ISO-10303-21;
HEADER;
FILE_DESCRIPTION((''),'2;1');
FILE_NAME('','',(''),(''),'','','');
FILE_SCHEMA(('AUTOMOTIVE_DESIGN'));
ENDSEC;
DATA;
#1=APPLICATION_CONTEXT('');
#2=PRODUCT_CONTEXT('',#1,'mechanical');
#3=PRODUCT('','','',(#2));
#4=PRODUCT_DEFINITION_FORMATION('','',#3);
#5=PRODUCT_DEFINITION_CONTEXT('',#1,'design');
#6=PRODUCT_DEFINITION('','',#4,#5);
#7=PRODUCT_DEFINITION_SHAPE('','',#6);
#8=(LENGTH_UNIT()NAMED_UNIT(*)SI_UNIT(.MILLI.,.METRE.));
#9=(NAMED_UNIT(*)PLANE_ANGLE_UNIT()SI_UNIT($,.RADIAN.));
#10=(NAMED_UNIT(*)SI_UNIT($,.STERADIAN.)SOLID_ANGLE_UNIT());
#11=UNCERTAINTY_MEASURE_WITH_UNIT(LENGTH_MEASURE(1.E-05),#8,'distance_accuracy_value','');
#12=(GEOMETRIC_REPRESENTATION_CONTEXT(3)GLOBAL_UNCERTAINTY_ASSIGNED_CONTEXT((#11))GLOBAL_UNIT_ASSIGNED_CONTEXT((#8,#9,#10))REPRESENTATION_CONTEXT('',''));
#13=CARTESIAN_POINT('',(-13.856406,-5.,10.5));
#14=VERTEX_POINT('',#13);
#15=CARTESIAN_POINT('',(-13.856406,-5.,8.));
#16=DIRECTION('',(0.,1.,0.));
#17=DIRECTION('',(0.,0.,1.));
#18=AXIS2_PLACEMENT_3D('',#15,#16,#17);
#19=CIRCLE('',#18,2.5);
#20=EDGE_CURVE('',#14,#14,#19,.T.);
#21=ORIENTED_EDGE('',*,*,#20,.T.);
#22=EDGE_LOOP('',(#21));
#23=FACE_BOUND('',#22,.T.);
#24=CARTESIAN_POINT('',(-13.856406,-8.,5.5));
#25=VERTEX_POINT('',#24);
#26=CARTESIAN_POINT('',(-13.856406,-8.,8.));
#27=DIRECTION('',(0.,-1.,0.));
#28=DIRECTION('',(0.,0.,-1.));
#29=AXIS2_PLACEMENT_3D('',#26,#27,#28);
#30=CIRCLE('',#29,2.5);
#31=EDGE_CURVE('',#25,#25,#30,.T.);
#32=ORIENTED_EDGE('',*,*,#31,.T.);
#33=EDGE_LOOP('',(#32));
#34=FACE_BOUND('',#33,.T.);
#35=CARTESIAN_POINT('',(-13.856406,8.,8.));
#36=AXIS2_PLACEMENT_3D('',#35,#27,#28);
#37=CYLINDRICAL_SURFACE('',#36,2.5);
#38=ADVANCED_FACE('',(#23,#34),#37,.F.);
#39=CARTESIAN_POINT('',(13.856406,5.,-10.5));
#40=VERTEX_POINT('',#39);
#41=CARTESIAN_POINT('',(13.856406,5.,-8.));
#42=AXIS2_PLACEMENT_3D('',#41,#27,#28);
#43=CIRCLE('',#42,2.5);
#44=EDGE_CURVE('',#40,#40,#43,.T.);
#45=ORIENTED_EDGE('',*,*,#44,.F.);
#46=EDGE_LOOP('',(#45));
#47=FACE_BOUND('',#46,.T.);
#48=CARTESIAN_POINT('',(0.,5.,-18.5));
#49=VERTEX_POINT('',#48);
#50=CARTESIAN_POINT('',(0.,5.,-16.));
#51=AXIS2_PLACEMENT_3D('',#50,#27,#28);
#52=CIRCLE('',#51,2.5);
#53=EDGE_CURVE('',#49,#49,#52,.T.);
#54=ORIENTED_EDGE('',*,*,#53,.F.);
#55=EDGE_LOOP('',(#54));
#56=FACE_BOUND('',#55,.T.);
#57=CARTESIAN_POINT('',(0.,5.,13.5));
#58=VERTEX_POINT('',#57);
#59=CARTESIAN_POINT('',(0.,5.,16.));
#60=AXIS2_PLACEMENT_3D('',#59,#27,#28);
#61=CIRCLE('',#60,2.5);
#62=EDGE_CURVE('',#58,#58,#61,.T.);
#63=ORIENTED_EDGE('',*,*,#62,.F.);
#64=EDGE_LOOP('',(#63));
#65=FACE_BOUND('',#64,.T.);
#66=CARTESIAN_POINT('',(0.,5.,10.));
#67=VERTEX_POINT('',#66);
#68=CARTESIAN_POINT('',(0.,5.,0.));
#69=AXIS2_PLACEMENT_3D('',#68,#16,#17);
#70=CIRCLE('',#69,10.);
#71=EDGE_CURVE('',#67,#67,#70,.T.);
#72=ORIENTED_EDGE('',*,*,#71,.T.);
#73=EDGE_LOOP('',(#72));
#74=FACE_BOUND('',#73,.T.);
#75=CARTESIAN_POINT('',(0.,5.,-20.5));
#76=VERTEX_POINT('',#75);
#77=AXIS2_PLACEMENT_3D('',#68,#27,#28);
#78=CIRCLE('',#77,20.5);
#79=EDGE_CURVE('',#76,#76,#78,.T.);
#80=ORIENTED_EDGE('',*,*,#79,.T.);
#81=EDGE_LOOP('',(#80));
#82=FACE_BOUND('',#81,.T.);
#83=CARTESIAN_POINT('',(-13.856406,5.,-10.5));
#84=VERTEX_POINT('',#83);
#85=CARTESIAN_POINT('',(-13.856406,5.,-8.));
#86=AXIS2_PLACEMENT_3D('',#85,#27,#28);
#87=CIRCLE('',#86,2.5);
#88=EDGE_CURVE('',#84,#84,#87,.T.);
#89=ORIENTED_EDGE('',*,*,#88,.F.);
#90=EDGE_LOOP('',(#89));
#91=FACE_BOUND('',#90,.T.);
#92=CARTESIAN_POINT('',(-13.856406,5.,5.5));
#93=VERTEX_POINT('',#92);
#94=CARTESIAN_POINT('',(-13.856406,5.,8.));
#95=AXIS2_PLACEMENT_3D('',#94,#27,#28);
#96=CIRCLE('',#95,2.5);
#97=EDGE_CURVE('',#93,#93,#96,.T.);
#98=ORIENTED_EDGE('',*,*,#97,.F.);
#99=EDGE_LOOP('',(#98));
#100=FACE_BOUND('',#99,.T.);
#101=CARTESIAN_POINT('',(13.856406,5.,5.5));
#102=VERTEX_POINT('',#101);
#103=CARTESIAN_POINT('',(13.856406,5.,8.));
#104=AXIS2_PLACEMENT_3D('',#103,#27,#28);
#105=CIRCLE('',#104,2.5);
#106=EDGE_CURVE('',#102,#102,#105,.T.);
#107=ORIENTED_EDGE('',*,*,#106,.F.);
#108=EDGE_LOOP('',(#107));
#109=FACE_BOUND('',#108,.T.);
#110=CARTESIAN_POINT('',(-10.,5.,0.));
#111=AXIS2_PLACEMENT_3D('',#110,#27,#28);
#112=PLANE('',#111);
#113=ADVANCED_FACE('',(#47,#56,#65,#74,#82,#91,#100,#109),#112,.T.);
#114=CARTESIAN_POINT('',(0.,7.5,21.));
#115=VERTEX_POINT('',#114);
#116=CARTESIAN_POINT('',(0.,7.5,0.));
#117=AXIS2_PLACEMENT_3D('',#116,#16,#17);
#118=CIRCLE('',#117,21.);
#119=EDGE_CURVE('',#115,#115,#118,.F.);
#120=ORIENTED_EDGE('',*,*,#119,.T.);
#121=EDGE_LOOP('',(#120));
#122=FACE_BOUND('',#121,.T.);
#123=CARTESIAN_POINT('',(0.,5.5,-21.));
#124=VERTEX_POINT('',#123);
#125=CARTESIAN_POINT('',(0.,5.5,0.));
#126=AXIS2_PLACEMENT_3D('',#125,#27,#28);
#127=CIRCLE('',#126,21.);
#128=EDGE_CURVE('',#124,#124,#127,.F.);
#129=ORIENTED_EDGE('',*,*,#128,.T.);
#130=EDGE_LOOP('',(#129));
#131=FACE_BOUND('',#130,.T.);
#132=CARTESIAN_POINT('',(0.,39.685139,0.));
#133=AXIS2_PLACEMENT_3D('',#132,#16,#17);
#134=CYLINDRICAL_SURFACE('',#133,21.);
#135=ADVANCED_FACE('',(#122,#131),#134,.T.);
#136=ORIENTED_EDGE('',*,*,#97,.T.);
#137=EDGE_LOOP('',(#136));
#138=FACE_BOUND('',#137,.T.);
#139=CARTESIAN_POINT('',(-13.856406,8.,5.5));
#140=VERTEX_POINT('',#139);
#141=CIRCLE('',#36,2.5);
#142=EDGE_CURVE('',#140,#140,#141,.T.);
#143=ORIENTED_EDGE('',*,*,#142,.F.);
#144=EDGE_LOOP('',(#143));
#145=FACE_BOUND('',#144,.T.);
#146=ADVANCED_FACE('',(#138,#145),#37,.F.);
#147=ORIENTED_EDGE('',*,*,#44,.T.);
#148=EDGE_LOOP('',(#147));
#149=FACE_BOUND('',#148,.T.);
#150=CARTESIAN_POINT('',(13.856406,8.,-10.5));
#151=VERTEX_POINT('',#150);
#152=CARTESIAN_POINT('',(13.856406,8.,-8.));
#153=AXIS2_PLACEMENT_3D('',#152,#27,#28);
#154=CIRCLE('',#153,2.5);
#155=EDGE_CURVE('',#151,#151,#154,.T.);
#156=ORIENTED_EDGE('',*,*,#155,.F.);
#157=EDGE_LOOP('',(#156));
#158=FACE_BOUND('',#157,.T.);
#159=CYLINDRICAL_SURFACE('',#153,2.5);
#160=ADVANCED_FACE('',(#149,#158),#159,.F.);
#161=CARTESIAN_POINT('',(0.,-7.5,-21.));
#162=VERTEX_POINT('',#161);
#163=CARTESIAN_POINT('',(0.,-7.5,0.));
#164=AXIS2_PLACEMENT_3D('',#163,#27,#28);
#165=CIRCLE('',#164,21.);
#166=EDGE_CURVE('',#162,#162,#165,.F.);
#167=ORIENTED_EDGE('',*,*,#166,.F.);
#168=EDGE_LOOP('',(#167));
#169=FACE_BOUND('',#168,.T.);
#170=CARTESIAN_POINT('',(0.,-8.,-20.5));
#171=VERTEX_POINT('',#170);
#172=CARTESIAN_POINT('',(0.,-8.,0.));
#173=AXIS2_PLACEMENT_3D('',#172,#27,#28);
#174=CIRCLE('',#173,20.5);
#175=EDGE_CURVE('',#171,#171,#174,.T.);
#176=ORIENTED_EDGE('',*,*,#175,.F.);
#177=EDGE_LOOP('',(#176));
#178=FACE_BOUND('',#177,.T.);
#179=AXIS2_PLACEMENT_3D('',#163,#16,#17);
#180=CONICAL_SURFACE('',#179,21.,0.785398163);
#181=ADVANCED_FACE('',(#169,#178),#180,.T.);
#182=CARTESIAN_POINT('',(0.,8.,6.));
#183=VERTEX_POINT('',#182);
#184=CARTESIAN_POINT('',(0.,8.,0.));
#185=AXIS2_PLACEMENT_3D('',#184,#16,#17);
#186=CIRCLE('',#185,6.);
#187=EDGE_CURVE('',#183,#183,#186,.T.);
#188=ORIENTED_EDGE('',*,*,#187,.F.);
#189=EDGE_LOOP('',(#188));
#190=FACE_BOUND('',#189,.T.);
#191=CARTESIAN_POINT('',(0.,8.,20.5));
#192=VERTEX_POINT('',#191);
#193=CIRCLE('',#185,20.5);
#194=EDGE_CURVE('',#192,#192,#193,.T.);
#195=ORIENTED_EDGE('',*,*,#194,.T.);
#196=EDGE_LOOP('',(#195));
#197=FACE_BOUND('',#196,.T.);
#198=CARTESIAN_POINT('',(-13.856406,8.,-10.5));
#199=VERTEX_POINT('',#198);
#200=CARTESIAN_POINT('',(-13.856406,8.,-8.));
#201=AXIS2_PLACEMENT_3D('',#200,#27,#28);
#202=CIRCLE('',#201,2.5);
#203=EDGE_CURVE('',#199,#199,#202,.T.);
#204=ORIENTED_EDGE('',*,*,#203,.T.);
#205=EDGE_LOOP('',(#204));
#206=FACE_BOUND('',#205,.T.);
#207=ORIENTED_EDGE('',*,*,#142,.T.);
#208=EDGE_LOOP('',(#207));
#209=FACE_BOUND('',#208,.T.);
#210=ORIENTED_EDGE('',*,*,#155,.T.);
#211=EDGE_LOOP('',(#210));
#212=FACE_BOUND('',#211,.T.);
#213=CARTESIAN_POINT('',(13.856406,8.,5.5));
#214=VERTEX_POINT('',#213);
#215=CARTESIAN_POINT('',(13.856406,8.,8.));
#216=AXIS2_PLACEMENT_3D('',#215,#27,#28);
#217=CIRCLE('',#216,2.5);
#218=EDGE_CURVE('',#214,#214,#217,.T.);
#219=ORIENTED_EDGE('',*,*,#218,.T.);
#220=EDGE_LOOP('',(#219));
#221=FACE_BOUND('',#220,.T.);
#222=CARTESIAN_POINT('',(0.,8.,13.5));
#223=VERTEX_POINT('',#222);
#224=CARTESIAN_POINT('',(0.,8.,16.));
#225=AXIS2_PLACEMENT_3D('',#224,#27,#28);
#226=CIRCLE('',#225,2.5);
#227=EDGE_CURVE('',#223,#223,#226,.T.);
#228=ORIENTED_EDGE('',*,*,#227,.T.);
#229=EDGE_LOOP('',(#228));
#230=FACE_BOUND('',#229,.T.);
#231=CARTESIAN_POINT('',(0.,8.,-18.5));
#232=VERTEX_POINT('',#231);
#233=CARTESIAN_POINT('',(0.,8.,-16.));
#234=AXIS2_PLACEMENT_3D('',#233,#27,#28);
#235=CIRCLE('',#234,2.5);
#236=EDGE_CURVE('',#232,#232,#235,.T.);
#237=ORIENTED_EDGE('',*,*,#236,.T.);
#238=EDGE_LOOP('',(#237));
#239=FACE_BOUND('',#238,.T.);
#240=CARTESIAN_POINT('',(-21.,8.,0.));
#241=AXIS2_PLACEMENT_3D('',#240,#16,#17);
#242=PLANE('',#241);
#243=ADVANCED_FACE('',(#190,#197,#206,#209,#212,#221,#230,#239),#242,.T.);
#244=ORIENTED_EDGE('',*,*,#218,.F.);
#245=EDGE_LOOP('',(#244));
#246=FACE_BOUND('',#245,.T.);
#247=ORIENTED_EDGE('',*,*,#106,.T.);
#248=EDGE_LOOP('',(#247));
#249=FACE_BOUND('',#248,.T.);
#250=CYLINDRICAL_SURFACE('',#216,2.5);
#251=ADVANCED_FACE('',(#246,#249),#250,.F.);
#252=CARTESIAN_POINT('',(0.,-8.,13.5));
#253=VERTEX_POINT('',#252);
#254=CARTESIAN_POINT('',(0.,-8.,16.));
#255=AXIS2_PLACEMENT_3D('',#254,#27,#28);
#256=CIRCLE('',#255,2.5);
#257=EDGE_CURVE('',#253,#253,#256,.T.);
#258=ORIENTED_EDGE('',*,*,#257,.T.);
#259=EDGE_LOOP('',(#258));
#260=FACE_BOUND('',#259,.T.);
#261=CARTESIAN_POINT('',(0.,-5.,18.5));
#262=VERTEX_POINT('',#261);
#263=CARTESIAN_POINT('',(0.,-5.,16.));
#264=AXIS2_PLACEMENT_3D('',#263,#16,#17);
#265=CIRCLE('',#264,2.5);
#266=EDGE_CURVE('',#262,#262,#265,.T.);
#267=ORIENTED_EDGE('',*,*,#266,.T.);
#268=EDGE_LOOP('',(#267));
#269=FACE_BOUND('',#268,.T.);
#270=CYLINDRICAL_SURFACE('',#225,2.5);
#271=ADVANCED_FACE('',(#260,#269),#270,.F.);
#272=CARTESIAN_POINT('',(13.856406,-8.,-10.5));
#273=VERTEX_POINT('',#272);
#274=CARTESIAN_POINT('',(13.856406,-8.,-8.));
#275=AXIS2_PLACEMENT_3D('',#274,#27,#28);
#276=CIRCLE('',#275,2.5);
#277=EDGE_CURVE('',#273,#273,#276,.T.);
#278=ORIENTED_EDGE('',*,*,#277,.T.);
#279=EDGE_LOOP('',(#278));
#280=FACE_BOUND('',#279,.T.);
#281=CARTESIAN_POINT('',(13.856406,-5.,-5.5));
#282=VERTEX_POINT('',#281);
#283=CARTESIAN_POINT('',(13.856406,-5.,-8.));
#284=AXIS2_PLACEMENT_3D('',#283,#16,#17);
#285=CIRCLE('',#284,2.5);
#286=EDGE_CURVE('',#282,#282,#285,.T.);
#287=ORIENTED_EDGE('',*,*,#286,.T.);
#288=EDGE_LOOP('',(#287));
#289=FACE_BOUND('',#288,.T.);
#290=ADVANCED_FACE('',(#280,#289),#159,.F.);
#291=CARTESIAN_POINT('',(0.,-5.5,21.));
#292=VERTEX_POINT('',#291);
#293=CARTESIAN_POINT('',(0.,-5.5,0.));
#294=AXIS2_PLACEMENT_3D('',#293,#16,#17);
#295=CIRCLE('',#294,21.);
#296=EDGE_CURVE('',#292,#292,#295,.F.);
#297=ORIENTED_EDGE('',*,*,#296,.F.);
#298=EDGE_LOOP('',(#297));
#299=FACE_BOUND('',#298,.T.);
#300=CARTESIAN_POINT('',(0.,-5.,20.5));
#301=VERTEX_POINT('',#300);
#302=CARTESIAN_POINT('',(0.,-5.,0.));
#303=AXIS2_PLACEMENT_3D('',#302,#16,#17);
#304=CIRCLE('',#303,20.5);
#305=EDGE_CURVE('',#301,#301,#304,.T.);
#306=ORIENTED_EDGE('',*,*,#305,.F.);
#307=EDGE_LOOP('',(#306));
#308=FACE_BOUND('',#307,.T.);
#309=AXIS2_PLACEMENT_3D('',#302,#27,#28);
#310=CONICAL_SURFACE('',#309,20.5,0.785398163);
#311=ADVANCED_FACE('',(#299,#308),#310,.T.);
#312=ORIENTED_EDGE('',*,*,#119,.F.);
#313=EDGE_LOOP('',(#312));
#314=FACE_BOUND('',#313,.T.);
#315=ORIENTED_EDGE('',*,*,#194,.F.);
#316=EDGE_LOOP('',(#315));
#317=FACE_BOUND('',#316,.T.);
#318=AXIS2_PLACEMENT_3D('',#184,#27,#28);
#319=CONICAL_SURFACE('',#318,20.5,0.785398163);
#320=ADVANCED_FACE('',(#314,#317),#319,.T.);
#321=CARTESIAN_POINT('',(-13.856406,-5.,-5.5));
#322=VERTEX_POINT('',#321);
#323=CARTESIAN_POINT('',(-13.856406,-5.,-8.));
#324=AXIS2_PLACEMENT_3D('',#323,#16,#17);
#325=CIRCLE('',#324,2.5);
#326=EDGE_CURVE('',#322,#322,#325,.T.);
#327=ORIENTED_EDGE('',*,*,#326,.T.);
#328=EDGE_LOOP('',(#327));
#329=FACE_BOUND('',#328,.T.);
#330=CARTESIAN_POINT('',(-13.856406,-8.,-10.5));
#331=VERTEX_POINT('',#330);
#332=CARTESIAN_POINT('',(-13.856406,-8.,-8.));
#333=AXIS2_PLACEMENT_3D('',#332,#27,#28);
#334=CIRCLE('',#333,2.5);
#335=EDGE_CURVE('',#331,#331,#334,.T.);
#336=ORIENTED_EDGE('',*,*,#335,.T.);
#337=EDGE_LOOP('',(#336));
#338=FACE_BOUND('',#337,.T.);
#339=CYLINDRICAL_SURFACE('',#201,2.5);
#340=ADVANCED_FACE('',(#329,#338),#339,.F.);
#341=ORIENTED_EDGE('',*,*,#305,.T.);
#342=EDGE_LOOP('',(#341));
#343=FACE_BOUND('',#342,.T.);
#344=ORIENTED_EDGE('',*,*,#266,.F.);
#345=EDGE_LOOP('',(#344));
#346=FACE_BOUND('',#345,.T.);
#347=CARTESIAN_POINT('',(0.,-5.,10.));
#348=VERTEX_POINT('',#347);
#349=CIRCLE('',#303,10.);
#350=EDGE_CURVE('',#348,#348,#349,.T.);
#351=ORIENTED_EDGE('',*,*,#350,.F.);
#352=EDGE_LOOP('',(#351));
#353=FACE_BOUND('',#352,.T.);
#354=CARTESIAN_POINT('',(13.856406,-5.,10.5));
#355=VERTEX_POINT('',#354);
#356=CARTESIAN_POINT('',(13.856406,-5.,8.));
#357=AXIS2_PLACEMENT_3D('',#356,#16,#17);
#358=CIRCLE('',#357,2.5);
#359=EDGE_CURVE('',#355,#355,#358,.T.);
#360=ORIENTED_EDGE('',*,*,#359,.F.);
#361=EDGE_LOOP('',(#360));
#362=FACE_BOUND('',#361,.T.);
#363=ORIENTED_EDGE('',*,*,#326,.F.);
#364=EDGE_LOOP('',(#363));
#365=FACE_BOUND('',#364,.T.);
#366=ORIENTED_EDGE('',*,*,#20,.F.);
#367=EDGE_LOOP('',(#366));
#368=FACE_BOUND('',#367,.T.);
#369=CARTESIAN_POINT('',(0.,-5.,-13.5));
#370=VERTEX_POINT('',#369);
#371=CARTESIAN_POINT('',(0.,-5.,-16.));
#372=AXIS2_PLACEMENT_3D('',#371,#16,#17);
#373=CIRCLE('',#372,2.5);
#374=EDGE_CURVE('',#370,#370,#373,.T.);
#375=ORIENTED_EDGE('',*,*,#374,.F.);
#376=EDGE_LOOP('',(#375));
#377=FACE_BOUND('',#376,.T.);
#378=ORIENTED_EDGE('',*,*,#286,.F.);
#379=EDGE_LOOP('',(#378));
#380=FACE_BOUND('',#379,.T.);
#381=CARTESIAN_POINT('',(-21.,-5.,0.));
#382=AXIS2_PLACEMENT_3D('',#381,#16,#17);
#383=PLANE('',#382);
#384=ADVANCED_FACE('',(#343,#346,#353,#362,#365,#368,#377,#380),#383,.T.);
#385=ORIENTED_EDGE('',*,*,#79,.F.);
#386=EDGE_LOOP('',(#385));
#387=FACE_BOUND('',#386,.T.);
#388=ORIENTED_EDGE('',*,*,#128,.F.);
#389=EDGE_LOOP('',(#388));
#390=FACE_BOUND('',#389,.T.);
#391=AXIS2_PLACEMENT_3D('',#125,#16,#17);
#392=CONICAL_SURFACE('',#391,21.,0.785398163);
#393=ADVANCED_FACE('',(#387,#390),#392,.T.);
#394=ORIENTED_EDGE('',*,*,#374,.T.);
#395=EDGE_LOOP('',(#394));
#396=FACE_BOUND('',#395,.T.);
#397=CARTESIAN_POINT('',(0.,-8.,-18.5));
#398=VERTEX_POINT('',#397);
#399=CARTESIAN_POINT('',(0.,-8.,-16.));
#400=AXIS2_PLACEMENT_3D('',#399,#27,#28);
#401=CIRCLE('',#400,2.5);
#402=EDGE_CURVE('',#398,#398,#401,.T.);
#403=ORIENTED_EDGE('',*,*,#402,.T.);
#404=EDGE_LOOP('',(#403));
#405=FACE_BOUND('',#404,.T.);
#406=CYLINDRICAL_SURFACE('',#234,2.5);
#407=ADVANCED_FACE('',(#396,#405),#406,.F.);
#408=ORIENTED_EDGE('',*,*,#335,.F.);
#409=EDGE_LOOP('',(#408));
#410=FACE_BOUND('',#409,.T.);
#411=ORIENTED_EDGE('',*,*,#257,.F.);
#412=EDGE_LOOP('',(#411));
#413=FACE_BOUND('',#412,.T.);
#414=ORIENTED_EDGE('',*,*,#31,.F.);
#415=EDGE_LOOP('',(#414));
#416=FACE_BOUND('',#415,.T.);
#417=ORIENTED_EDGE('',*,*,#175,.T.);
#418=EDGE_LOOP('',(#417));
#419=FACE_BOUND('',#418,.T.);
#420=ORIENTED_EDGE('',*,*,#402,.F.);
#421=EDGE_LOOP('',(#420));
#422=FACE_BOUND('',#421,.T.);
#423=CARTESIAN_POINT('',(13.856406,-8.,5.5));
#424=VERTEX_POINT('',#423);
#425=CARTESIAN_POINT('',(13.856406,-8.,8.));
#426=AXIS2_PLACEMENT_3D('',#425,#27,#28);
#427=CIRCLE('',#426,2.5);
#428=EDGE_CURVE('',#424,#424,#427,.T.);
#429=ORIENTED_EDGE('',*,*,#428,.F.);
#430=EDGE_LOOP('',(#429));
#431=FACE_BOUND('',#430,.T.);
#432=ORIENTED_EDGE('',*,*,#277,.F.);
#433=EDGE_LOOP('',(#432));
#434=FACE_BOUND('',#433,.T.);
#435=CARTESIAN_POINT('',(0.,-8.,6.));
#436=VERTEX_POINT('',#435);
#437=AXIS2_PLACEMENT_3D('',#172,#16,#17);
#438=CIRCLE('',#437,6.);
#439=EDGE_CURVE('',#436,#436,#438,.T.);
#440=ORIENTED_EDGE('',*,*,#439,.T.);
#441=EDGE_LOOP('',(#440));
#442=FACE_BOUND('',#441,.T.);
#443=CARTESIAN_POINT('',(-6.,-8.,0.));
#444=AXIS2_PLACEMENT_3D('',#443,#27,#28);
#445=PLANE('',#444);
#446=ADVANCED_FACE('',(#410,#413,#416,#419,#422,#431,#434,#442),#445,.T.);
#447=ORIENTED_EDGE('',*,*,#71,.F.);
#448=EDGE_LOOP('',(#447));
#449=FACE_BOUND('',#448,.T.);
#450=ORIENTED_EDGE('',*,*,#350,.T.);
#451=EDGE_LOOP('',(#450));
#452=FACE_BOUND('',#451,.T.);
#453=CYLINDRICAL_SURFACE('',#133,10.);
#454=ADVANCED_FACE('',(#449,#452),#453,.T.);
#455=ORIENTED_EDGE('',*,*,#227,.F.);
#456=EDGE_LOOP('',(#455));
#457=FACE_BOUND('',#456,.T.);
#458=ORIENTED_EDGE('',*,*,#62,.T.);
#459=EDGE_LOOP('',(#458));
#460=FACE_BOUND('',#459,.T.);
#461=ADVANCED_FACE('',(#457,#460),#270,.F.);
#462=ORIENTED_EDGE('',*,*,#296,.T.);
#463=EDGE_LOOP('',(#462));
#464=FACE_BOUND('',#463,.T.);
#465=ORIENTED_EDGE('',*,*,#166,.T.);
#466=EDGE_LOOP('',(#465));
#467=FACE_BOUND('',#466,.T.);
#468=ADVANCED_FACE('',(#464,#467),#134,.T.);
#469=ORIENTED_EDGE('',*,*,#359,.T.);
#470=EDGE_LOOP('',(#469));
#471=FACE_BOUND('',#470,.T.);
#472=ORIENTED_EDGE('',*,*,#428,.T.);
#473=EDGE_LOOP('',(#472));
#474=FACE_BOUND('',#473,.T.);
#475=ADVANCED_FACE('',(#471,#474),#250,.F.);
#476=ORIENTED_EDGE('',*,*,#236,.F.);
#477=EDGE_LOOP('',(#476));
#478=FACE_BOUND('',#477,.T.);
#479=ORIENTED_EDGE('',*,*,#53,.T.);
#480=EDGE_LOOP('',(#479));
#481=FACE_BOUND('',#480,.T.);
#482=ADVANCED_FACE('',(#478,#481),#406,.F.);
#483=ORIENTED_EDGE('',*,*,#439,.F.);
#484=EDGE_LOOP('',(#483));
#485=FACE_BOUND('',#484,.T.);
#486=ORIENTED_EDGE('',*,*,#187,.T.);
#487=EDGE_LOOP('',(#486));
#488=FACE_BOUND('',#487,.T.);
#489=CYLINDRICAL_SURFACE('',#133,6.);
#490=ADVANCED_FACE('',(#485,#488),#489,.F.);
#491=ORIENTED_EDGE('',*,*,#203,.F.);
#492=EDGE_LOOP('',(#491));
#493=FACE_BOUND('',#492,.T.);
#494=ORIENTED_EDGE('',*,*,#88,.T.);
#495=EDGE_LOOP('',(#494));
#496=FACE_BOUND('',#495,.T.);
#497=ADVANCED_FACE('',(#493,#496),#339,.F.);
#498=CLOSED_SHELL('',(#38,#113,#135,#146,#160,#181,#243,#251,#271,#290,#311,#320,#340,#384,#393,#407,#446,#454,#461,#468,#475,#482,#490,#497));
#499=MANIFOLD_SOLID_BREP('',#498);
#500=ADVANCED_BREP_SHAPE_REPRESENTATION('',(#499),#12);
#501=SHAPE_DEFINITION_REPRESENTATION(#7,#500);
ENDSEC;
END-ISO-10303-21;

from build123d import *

# Parameters (mm, degrees)
CHAMFER1_SIZE           = 0.5
SKETCH2_R               = 2.5
CUT_EXTRUDE1_DEPTH      = 1
CUT_EXTRUDE1_DEPTH_BACK = 17


with BuildPart() as part:
    # Sketch1 → Revolve1 (revolve)
    with BuildSketch(Plane.XY):
        Polygon((-6, 8), (-6, -8), (-21, -8), (-21, -5), (-10, -5), (-10, 5), (-21, 5), (-21, 8), align=None)
    revolve(axis=Axis((0, 39.685139112, 0), (0, -1, 0)))

    # Chamfer1
    chamfer1_edges = [part.edges().sort_by_distance(p)[0] for p in [
        (21, -8, 0),
        (21, 8, 0),
        (21, 5, 0),
        (21, -5, 0),
    ]]
    chamfer(chamfer1_edges, length=CHAMFER1_SIZE)

    # Sketch2 → Cut-Extrude1 (cut, two sides)
    with BuildSketch(Plane.XZ.offset(8)) as cut_extrude1_sk:
        with Locations((0, 16)):
            Circle(SKETCH2_R)
        with Locations((13.856406461, 8)):
            Circle(SKETCH2_R)
        with Locations((13.856406461, -8)):
            Circle(SKETCH2_R)
        with Locations((0, -16)):
            Circle(SKETCH2_R)
        with Locations((-13.856406461, -8)):
            Circle(SKETCH2_R)
        with Locations((-13.856406461, 8)):
            Circle(SKETCH2_R)
    extrude(amount=CUT_EXTRUDE1_DEPTH, mode=Mode.SUBTRACT)
    extrude(cut_extrude1_sk.sketch, amount=-CUT_EXTRUDE1_DEPTH_BACK, mode=Mode.SUBTRACT)


solid = part.part
